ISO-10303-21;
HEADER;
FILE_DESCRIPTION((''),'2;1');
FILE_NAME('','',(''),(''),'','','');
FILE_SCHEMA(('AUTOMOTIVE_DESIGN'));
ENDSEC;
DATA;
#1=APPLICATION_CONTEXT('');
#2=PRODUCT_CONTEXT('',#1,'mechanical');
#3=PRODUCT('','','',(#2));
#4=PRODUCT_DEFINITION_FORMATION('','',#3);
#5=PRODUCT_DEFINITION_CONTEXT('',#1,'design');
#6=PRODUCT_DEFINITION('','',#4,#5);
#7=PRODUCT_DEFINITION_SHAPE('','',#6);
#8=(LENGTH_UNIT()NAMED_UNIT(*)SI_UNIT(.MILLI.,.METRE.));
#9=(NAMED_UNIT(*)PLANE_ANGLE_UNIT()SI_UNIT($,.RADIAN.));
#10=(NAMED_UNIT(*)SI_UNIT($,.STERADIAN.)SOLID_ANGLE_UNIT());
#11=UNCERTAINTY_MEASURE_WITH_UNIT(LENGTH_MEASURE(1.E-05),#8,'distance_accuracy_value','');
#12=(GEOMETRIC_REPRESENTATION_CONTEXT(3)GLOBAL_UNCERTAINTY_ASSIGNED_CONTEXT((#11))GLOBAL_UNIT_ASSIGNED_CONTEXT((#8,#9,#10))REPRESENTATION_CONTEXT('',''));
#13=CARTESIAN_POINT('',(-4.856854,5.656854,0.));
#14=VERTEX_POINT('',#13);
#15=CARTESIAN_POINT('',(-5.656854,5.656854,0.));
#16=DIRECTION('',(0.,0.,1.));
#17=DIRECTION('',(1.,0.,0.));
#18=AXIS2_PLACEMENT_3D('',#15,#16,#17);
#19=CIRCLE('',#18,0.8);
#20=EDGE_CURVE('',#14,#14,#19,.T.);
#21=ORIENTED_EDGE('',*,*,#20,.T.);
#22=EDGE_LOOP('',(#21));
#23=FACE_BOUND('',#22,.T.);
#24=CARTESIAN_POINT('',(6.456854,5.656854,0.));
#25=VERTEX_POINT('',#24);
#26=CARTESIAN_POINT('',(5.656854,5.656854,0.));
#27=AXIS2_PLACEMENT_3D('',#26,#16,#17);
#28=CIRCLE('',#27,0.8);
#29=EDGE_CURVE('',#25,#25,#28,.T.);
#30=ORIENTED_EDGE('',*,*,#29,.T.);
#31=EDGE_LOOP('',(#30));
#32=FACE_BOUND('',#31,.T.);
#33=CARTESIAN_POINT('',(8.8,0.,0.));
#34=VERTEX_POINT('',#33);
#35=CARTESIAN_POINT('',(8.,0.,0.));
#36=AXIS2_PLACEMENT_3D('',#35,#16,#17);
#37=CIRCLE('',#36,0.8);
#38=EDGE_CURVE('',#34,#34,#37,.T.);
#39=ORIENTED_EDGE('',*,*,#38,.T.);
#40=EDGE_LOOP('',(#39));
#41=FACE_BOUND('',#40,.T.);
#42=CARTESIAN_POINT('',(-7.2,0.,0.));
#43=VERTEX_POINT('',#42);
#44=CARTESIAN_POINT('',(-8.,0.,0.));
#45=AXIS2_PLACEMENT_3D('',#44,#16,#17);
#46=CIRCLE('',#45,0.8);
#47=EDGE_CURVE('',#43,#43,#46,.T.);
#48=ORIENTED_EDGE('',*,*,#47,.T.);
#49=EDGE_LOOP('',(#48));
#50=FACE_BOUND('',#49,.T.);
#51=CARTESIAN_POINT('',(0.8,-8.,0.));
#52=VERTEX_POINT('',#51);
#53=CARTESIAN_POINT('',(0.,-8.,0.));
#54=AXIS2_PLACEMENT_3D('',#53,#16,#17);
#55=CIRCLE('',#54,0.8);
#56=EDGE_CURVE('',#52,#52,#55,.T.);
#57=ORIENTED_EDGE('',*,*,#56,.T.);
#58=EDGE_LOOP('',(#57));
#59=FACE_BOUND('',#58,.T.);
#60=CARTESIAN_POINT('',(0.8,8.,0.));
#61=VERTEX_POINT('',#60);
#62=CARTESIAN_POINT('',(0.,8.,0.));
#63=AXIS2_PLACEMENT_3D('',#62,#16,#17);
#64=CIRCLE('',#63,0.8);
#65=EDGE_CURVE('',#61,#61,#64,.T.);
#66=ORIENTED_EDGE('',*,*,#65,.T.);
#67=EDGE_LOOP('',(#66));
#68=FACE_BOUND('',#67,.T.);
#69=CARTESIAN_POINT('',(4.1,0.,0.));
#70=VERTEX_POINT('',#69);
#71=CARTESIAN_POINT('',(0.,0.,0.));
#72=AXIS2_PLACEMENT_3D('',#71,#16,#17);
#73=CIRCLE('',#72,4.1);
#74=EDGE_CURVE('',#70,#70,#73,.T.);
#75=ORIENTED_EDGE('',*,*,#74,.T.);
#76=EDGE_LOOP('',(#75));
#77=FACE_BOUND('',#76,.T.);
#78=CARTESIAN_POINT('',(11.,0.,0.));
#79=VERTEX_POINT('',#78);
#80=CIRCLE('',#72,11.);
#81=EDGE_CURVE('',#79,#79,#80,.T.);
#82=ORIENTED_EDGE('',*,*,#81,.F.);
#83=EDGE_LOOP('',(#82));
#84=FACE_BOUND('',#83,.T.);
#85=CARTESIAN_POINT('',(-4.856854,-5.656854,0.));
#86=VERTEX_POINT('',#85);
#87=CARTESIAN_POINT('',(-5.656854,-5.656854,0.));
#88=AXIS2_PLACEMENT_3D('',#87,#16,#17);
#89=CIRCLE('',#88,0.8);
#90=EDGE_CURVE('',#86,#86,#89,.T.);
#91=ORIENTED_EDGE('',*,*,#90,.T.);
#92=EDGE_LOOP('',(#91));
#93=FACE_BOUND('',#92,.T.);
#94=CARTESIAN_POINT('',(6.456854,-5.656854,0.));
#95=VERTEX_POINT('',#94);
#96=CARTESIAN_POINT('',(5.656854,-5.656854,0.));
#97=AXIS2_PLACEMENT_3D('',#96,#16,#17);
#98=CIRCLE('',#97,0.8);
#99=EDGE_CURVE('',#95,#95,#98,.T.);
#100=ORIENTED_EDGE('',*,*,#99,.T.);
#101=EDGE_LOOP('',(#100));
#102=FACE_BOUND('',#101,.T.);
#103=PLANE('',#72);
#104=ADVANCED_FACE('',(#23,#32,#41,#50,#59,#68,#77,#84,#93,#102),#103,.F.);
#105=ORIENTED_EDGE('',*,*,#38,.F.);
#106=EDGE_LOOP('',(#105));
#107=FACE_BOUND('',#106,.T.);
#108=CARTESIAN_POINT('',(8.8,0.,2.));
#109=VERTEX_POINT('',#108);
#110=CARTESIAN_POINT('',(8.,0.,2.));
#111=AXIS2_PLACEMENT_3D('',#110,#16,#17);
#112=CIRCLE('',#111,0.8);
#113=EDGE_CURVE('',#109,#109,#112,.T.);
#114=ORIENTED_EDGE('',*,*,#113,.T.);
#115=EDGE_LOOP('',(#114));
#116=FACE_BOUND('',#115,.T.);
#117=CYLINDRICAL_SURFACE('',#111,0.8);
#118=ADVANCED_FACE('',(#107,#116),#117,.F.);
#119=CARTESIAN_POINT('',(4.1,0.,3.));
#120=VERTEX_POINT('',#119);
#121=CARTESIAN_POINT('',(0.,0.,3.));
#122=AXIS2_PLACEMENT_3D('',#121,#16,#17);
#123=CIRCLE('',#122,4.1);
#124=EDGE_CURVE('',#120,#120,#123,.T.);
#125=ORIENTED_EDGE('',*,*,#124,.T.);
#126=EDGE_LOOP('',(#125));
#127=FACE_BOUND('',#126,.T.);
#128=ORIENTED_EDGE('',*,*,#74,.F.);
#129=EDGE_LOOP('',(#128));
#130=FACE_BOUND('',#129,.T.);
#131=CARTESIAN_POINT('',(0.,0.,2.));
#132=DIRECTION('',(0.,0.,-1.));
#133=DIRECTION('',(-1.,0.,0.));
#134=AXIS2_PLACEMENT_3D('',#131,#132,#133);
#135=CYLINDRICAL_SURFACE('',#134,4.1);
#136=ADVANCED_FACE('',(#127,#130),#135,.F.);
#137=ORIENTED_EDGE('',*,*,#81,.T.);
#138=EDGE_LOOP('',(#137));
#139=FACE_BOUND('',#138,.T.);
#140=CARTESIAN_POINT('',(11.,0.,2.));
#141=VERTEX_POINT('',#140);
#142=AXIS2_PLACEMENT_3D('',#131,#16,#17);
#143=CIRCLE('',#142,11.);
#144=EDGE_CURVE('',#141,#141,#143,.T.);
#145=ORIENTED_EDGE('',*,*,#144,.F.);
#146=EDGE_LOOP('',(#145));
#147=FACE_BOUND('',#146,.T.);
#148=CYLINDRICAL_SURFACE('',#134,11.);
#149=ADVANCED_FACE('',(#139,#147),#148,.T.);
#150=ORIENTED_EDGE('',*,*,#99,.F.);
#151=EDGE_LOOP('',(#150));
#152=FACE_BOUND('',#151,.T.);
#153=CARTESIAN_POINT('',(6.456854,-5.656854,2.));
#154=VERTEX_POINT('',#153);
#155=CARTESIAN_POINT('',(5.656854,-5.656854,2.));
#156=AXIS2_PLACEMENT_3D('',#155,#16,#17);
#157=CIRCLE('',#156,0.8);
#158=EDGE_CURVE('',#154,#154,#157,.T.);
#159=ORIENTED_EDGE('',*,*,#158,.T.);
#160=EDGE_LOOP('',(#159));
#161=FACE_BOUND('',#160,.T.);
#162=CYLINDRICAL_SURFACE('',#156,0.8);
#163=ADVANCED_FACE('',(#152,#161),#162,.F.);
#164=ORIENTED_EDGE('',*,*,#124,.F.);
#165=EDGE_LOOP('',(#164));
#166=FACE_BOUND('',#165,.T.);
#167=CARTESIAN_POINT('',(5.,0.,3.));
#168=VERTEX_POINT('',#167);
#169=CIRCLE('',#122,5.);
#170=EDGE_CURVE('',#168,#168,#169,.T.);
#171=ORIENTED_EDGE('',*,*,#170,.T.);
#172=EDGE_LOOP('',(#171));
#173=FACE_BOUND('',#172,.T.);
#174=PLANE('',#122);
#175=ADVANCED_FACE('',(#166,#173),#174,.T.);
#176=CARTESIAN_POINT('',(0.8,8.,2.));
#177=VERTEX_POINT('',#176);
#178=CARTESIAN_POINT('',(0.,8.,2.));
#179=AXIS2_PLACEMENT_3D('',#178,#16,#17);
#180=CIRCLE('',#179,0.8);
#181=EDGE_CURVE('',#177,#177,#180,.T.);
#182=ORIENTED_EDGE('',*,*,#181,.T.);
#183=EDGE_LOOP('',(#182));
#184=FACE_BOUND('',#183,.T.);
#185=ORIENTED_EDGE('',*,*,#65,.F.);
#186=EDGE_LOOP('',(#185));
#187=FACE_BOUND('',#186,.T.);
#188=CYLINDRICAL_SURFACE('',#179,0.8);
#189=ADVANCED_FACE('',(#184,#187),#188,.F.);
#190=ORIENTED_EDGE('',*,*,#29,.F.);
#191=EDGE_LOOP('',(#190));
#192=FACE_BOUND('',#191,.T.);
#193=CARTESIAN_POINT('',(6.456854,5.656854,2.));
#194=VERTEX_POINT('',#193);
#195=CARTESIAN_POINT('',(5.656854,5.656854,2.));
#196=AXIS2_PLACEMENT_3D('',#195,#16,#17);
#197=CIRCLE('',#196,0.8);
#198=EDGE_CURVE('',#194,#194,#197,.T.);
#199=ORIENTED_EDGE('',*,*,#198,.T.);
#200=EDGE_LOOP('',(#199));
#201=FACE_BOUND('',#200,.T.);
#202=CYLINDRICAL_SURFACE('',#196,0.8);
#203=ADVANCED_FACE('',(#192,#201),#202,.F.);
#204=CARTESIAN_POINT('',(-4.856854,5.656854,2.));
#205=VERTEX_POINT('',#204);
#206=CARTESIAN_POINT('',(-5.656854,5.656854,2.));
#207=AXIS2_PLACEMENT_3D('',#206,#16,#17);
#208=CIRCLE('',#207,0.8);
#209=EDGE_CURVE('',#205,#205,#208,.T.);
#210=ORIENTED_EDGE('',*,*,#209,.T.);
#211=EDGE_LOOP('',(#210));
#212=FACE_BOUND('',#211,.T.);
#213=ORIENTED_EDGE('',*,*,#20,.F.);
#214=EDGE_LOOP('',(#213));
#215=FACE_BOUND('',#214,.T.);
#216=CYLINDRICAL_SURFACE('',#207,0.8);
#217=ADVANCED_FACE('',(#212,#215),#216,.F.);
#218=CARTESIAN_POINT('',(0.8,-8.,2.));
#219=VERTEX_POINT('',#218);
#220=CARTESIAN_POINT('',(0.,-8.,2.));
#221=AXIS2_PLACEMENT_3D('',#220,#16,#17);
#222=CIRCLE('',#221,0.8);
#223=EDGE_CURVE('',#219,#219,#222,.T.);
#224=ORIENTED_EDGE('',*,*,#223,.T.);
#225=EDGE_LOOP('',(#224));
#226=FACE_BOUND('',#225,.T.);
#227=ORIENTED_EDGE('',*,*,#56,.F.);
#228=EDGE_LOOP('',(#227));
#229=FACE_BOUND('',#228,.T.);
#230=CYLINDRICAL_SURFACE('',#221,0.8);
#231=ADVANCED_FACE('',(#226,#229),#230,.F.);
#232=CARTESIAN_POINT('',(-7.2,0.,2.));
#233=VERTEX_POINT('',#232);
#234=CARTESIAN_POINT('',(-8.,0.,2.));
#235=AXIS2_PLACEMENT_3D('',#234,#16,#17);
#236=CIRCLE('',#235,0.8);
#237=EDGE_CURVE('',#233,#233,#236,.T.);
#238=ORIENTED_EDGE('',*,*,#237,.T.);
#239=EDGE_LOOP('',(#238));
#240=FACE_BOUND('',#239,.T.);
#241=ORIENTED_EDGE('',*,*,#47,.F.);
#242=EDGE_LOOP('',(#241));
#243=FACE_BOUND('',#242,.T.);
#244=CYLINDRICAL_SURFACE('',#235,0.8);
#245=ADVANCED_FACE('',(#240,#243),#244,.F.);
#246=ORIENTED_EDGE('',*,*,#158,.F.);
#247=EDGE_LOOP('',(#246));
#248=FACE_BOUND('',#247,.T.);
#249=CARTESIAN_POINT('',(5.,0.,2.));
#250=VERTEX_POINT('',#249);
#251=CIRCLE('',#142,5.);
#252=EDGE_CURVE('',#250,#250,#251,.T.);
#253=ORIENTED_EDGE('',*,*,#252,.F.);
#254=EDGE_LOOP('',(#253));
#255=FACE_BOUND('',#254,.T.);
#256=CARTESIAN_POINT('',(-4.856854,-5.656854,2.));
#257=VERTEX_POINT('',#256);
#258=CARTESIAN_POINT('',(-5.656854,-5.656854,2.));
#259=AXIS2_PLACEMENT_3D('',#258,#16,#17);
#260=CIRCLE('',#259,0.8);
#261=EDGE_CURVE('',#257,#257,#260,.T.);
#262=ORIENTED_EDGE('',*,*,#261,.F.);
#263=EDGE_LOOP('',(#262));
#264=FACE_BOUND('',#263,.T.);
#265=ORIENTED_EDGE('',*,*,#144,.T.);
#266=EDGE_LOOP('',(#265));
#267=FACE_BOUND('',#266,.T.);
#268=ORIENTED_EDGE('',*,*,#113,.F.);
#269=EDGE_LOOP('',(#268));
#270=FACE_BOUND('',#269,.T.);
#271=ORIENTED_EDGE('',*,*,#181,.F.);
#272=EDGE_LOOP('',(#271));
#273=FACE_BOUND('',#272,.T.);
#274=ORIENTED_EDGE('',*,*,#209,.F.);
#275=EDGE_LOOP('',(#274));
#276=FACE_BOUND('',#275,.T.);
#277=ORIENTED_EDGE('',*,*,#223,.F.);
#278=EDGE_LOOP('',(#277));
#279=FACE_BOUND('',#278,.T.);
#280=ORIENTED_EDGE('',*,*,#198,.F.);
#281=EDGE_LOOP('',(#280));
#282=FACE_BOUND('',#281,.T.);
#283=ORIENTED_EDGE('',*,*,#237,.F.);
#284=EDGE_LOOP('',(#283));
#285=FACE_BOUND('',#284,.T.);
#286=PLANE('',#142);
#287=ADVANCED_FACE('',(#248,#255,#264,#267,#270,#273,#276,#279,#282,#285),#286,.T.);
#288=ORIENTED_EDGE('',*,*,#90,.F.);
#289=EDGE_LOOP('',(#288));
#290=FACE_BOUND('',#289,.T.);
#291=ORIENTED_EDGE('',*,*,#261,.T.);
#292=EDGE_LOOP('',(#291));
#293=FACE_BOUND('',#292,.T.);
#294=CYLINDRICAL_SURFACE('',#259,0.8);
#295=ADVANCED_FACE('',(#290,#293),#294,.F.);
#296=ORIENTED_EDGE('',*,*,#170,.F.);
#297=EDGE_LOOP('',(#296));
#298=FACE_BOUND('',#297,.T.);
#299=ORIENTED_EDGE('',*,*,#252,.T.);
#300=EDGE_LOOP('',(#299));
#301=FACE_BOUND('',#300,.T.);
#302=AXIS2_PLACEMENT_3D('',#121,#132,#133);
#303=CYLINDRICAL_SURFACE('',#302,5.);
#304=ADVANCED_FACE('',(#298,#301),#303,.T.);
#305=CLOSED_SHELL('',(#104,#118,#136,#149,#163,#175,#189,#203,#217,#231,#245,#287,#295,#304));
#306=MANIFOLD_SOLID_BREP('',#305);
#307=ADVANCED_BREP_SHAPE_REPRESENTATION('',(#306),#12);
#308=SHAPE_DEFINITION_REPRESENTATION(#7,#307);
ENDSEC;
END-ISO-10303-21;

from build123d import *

# Parameters (mm, degrees)
SKETCH1_R                 = 11
SKETCH1_R_2               = 4.1
BOSS_EXTRUDE1_DEPTH       = 2
M2X0_4_TAPPED_HOLE1_D     = 1.6
M2X0_4_TAPPED_HOLE1_DEPTH = 5.2
M2X0_4_TAPPED_HOLE1_TIP   = 0.480688495
SKETCH5_R                 = 5
SKETCH5_R_2               = 4.1
BOSS_EXTRUDE2_DEPTH       = 1


with BuildPart() as part:
    # Sketch1 → Boss-Extrude1 (new body)
    with BuildSketch(Plane.XY):
        Circle(SKETCH1_R)
        Circle(SKETCH1_R_2, mode=Mode.SUBTRACT)
    extrude(amount=BOSS_EXTRUDE1_DEPTH)

    # M2x0.4 Tapped Hole1
    with Locations(Plane.XY.offset(2)):
        with Locations((0, 8), (5.656854249, 5.656854249), (8, 0), (5.656854249, -5.656854249), (0, -8), (-5.656854249, -5.656854249), (-8, 0), (-5.656854249, 5.656854249)):
            Hole(M2X0_4_TAPPED_HOLE1_D / 2, depth=M2X0_4_TAPPED_HOLE1_DEPTH)
            with Locations((0, 0, -(M2X0_4_TAPPED_HOLE1_DEPTH + M2X0_4_TAPPED_HOLE1_TIP / 2))):  # 118° drill point
                Cone(0, M2X0_4_TAPPED_HOLE1_D / 2, M2X0_4_TAPPED_HOLE1_TIP, mode=Mode.SUBTRACT)

    # Sketch5 → Boss-Extrude2 (add)
    with BuildSketch(Plane.XY.offset(2)):
        Circle(SKETCH5_R)
        Circle(SKETCH5_R_2, mode=Mode.SUBTRACT)
    extrude(amount=BOSS_EXTRUDE2_DEPTH)


solid = part.part
